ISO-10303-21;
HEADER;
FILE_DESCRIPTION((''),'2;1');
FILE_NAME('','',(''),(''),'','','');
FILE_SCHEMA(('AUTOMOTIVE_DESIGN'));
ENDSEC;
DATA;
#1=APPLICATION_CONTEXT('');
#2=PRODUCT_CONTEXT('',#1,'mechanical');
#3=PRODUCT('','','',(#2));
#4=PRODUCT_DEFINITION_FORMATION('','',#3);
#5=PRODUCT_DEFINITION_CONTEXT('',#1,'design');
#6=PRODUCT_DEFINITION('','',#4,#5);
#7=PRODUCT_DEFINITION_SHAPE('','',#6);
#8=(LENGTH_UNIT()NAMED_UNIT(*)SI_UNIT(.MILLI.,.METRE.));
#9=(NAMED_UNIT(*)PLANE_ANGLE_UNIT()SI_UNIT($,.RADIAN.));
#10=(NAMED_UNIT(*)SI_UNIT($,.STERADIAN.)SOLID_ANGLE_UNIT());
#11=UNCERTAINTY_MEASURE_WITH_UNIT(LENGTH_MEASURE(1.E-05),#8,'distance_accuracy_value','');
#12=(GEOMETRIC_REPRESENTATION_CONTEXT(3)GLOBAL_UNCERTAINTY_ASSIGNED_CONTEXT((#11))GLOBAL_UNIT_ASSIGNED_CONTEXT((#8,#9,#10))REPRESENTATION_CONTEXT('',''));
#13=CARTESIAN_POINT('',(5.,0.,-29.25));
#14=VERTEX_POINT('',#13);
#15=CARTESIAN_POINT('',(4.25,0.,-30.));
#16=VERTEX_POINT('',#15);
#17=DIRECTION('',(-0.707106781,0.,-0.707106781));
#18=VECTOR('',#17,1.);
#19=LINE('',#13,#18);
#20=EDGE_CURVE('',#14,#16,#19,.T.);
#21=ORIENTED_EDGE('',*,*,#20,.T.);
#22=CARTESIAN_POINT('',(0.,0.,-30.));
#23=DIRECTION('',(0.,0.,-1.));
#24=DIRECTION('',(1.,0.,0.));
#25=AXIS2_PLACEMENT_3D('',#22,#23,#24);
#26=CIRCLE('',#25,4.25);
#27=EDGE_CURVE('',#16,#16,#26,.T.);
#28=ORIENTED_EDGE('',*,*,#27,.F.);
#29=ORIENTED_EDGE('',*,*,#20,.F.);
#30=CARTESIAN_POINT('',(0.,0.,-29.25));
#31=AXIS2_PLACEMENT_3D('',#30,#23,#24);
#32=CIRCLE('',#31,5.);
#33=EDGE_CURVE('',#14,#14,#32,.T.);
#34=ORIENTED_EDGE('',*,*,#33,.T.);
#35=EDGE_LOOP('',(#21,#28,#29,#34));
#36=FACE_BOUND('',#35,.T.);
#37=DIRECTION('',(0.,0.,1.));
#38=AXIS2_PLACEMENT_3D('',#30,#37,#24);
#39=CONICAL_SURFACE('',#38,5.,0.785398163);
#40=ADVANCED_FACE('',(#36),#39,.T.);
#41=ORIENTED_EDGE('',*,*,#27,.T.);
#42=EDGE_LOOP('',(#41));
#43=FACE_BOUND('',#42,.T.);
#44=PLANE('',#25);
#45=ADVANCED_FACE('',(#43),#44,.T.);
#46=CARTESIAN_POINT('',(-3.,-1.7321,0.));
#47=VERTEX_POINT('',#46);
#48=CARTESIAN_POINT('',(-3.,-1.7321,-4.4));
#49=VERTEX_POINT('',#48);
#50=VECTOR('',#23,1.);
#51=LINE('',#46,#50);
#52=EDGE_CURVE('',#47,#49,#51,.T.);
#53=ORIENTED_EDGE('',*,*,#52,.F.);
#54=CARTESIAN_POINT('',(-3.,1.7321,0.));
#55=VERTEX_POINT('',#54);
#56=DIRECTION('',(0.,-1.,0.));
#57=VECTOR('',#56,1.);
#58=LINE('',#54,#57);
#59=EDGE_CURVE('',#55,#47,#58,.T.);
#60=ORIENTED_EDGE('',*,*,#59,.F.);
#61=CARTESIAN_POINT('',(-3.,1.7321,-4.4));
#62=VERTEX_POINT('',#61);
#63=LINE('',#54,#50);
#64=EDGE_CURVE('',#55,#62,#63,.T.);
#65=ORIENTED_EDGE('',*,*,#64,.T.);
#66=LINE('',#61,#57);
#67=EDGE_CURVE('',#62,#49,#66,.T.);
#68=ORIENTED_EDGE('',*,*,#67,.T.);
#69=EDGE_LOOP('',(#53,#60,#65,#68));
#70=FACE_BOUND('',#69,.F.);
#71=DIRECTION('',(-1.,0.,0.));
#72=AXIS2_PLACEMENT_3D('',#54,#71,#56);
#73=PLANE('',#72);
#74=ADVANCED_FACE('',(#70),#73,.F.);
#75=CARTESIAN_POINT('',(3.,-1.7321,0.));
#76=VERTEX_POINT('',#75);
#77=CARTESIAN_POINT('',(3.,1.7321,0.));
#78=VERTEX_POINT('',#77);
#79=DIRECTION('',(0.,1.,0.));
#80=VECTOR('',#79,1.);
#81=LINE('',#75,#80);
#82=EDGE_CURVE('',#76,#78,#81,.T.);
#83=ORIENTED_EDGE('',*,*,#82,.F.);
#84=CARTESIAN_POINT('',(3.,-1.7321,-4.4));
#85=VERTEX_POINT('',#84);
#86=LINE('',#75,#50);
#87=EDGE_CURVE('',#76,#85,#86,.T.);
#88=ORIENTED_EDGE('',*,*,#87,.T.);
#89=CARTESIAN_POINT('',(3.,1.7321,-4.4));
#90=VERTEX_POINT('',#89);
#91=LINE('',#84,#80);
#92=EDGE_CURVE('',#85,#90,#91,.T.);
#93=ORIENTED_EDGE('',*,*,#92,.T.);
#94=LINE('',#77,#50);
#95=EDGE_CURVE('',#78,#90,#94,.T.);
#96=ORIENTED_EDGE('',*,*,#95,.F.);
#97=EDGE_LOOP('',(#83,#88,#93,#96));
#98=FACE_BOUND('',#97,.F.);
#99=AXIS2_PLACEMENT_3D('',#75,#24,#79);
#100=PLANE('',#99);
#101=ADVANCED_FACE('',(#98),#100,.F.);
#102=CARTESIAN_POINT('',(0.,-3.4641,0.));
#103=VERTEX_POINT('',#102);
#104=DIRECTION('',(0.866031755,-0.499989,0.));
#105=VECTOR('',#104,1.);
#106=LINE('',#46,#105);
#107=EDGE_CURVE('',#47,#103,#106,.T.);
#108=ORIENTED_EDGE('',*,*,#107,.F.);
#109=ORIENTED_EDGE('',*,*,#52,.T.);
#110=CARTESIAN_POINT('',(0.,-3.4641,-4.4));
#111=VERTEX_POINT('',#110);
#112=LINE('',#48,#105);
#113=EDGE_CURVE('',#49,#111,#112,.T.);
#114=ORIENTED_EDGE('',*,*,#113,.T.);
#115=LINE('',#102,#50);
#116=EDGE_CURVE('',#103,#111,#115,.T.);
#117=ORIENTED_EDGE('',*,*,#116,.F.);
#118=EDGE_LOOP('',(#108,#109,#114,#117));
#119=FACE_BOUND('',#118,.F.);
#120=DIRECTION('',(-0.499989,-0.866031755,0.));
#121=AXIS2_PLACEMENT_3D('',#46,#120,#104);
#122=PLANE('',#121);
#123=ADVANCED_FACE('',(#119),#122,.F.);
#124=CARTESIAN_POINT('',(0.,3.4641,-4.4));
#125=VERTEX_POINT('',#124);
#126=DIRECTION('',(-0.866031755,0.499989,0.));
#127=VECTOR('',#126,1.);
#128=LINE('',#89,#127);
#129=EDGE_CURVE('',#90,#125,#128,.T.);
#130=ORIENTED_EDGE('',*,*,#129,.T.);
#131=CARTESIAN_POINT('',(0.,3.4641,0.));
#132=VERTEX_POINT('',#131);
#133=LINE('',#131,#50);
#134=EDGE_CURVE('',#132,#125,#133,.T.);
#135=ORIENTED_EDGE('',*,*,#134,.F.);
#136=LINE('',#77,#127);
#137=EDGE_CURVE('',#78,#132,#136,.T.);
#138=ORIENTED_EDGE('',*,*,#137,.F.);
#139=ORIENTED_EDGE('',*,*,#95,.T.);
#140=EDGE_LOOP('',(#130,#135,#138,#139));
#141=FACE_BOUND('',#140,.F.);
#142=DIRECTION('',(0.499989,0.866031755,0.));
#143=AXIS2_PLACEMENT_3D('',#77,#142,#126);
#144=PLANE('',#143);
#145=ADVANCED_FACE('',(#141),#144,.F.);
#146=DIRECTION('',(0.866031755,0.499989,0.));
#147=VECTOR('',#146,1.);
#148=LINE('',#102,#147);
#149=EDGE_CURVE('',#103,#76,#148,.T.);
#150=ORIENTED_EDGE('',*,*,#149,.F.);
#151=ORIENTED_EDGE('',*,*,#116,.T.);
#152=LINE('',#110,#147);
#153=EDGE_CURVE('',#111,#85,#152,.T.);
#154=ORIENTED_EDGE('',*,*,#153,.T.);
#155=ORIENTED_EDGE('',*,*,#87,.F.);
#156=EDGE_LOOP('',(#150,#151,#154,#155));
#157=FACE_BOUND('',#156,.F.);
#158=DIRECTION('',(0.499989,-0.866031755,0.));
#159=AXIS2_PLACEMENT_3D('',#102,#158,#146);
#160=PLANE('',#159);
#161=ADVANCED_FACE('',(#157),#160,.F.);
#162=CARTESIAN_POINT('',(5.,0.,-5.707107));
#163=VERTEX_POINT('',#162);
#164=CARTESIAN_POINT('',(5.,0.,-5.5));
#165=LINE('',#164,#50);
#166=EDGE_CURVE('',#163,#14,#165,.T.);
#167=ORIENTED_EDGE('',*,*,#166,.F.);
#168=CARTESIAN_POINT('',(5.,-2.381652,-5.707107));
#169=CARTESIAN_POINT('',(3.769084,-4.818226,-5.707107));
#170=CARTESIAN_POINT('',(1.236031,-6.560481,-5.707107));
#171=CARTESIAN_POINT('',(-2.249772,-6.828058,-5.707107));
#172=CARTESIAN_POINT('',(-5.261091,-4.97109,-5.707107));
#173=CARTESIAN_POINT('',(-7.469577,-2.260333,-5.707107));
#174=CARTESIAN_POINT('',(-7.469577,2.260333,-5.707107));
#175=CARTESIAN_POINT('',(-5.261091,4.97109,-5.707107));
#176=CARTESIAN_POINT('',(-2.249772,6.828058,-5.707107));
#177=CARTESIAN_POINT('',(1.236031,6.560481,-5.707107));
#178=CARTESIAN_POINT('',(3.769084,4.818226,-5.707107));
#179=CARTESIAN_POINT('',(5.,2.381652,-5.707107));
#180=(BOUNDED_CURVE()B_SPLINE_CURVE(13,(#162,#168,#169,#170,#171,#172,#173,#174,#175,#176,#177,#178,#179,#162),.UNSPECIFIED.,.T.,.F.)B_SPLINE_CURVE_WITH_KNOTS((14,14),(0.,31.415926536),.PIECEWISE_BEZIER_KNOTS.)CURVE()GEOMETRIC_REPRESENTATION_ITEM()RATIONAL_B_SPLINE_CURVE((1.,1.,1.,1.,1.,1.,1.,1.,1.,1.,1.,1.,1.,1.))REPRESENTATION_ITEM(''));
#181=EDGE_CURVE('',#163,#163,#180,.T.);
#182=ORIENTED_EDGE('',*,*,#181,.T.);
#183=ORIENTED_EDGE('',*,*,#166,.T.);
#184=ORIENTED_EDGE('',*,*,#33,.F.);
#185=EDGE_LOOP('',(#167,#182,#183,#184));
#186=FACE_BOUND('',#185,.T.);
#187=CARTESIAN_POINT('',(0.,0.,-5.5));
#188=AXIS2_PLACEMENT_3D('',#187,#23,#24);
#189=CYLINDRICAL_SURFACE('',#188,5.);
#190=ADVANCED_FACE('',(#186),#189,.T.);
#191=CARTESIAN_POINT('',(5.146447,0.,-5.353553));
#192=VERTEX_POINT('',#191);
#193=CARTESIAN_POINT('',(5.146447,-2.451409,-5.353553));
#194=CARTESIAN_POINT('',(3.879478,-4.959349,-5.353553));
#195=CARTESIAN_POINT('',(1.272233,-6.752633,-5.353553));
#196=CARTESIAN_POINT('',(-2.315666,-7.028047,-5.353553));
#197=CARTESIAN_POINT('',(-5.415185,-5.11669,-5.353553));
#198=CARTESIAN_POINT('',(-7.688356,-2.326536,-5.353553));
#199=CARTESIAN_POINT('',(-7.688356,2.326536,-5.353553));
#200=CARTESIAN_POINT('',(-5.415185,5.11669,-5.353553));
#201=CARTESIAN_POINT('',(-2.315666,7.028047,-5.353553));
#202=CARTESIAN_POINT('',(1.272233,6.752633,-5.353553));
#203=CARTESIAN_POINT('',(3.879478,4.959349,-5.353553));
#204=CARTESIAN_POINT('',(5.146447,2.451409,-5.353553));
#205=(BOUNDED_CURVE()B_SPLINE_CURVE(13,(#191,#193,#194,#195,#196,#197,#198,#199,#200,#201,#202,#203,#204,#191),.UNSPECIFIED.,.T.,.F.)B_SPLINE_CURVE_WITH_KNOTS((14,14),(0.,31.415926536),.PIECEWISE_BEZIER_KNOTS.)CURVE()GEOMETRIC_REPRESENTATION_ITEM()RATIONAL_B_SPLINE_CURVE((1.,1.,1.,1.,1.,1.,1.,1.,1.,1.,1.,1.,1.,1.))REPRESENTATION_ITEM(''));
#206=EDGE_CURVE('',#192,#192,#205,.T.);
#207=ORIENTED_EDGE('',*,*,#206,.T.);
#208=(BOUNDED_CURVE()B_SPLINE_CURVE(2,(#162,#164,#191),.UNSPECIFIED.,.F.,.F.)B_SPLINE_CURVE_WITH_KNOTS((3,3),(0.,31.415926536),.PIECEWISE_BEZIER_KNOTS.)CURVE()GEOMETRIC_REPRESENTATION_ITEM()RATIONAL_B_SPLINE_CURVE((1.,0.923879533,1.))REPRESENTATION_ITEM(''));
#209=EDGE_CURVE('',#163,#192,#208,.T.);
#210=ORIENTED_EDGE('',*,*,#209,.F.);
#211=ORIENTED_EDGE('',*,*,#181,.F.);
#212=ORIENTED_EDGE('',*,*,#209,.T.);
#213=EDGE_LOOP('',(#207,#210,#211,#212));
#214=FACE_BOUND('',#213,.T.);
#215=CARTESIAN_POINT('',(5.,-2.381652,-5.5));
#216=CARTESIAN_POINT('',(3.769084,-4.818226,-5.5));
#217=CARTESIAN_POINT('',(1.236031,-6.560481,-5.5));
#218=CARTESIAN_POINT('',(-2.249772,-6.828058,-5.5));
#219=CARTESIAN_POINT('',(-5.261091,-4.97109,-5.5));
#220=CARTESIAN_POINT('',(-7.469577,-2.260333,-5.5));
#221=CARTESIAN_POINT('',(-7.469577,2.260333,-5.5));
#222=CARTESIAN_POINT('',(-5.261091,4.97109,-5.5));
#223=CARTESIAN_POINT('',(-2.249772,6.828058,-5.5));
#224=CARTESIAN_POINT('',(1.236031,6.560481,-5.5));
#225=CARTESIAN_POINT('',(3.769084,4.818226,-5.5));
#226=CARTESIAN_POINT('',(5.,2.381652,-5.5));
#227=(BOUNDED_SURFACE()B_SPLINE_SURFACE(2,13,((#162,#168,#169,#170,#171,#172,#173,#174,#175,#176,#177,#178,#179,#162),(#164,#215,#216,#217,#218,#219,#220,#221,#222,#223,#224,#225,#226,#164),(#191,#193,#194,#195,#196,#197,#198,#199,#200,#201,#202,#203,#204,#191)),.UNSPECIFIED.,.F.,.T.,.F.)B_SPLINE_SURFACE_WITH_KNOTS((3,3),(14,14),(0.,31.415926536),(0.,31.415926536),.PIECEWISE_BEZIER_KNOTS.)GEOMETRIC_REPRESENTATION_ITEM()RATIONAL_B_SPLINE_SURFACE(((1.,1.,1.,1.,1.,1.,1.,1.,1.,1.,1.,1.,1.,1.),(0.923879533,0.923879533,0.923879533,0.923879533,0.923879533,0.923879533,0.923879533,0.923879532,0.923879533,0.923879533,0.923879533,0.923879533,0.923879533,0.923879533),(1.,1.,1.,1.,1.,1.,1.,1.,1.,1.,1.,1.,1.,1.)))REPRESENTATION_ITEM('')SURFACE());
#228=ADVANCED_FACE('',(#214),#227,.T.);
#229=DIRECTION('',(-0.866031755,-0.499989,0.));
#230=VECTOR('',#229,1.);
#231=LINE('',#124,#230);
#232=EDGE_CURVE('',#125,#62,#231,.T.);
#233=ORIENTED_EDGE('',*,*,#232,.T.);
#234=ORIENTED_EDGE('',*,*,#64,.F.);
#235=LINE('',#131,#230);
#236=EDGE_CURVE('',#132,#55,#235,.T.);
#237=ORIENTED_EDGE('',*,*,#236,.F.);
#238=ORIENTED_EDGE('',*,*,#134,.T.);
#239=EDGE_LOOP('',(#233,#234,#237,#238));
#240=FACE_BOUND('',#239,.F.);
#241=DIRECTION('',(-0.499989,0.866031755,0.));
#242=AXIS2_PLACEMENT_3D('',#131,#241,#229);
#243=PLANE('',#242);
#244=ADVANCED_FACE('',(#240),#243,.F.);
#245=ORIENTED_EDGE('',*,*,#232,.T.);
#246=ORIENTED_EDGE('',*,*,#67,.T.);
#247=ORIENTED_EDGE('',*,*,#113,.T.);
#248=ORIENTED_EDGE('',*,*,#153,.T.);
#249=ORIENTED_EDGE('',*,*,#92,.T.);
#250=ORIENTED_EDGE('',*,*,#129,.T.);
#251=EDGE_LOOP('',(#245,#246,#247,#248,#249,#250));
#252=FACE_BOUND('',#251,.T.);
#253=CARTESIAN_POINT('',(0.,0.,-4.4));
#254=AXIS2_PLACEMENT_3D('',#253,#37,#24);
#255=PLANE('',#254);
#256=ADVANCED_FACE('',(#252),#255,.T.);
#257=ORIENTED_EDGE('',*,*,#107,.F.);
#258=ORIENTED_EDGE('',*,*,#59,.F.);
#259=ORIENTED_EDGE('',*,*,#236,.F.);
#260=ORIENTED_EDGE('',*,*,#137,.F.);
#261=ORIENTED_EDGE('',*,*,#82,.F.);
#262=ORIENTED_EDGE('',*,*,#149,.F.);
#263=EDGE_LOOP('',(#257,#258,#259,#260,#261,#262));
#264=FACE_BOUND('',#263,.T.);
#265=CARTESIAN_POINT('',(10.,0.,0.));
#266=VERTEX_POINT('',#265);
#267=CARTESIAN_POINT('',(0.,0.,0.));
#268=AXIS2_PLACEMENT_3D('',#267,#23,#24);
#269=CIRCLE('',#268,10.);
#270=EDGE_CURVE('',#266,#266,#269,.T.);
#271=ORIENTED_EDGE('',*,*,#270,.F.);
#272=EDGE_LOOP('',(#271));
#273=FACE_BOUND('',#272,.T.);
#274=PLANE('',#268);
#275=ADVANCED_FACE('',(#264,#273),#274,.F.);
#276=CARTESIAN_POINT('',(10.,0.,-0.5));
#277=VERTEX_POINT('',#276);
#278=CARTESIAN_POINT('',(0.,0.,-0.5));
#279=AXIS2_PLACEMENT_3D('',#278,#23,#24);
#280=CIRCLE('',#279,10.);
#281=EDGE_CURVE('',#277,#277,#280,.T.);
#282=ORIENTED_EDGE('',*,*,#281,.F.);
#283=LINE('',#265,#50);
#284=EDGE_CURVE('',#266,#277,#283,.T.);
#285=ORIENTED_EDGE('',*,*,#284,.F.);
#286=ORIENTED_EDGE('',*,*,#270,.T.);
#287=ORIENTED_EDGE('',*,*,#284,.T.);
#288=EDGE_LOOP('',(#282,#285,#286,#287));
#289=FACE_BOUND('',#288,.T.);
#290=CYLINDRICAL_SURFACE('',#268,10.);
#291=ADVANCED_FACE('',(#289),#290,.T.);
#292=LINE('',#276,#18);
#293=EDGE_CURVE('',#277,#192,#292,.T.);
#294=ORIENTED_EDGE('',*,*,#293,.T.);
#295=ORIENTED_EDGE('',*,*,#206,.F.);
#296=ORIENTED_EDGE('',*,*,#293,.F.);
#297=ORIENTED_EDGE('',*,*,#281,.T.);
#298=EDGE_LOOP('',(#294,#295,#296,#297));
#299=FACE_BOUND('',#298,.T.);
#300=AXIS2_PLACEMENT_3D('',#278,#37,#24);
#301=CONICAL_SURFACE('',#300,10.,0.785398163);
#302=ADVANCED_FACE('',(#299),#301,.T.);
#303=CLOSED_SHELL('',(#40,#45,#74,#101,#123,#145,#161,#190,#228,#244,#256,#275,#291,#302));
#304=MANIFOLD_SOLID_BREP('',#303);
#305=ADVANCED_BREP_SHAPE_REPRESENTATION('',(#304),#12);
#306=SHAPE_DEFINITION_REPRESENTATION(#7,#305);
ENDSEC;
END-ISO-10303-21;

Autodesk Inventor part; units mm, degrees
ref_plane "YZ Plane" through (0, 0, 0) normal (1, 0, 0) x (0, 1, 0)
sketch "Sketch1" plane through (0, 0, 0) normal (0, 1, 0) x (-1, 0, 0)
  point P0 (0, 0)
sketch "Sketch2" plane through (0, 0, 0) normal (0, 1, 0) x (-1, 0, 0)
  line L0 (-5, -30) -> (0, -30)
  line L1 (-5, -5.5) -> (-5, -30)
  line L2 (-10, -0.5) -> (-5, -5.5)
  line L3 (-10, 0) -> (-10, -0.5)
  line L4 (0, 0) -> (-10, 0)
  line L5 (0, -30) -> (0, 0)
  line L6 (0, -30) -> (0, 0)
  line L7 (0, -36) -> (0, 6) projected
  line L8 (2, 0) -> (-12, 0) projected
  dimension "d3" = 10
  dimension "d5" = 5
  dimension "d7" = 30
  dimension "ParC" = 0.5
  dimension "d22" = 0
  dimension "d23" = 0
  dimension "d43" = 45
revolve "Revolution1" add sketch "Sketch2" angle 360 about axis through (0, 0, -30) along (0, 0, -1)
sketch "Sketch3" plane through (0, 0, 0) normal (0, 0, 1) x (1, 0, 0)
  line L0 (-3, 1.7321) -> (-3, -1.7321)
  line L1 (0, 3.4641) -> (-3, 1.7321)
  line L2 (3, 1.7321) -> (0, 3.4641)
  line L3 (3, -1.7321) -> (3, 1.7321)
  line L4 (0, -3.4641) -> (3, -1.7321)
  line L5 (-3, -1.7321) -> (0, -3.4641)
  circle A0 centre (0, 0) radius 3 construction
  circle A1 centre (0, 0) radius 5 construction
  dimension "d11" = 6
  dimension "d13" = 120
  dimension "d15" = 120
extrude "Extrusion1" cut sketch "Sketch3" against normal blind 4.4
fillet "Fillet1" radius 0.5 1 edges at (-5, 0, -5.5)
chamfer "Chamfer1" distance 0.75 angle 45 1 edges at (-5, 0, -30) measured on face at (-4.674, 1.7759, -21.9024)
thread "Thread1" size "M10x1.5" class "6g" standard "ISO Metric profile" length 21.5
ref_plane "MSC_PF1" through (0, 0, 0) normal (1, 0, 0) x (0, 1, 0)
ref_plane "MSC_PT1" through (0, 0, 0) normal (0, 0, -1) x (-1, 0, 0)
equation "\"d3\" = 0.5 * dk"
equation "\"d5\" = 0.5 * NND"
equation "\"d7\" = NLG"
equation "\"d43\" = 0.5 * ang"
equation "\"d18\" = r"
equation "\"d19\" = 0.5 * PTC"
equation "\"d39\" = 0.5 * PTC"
equation "\"d11\" = ParS"
equation "\"d16\" = ParT"
equation "\"PTC\" = 1.5"
equation "\"ParK\" = 5.5"
equation "\"ParS\" = 6"
equation "\"ParT\" = 4.4"
equation "\"r\" = 0.5"
equation "\"NLG\" = 30"
equation "\"ang\" = 90deg"
equation "\"dk\" = 20"
equation "\"NND\" = 10"
properties part number "DIN 7991 - M10x30" material "Steel, Mild"
